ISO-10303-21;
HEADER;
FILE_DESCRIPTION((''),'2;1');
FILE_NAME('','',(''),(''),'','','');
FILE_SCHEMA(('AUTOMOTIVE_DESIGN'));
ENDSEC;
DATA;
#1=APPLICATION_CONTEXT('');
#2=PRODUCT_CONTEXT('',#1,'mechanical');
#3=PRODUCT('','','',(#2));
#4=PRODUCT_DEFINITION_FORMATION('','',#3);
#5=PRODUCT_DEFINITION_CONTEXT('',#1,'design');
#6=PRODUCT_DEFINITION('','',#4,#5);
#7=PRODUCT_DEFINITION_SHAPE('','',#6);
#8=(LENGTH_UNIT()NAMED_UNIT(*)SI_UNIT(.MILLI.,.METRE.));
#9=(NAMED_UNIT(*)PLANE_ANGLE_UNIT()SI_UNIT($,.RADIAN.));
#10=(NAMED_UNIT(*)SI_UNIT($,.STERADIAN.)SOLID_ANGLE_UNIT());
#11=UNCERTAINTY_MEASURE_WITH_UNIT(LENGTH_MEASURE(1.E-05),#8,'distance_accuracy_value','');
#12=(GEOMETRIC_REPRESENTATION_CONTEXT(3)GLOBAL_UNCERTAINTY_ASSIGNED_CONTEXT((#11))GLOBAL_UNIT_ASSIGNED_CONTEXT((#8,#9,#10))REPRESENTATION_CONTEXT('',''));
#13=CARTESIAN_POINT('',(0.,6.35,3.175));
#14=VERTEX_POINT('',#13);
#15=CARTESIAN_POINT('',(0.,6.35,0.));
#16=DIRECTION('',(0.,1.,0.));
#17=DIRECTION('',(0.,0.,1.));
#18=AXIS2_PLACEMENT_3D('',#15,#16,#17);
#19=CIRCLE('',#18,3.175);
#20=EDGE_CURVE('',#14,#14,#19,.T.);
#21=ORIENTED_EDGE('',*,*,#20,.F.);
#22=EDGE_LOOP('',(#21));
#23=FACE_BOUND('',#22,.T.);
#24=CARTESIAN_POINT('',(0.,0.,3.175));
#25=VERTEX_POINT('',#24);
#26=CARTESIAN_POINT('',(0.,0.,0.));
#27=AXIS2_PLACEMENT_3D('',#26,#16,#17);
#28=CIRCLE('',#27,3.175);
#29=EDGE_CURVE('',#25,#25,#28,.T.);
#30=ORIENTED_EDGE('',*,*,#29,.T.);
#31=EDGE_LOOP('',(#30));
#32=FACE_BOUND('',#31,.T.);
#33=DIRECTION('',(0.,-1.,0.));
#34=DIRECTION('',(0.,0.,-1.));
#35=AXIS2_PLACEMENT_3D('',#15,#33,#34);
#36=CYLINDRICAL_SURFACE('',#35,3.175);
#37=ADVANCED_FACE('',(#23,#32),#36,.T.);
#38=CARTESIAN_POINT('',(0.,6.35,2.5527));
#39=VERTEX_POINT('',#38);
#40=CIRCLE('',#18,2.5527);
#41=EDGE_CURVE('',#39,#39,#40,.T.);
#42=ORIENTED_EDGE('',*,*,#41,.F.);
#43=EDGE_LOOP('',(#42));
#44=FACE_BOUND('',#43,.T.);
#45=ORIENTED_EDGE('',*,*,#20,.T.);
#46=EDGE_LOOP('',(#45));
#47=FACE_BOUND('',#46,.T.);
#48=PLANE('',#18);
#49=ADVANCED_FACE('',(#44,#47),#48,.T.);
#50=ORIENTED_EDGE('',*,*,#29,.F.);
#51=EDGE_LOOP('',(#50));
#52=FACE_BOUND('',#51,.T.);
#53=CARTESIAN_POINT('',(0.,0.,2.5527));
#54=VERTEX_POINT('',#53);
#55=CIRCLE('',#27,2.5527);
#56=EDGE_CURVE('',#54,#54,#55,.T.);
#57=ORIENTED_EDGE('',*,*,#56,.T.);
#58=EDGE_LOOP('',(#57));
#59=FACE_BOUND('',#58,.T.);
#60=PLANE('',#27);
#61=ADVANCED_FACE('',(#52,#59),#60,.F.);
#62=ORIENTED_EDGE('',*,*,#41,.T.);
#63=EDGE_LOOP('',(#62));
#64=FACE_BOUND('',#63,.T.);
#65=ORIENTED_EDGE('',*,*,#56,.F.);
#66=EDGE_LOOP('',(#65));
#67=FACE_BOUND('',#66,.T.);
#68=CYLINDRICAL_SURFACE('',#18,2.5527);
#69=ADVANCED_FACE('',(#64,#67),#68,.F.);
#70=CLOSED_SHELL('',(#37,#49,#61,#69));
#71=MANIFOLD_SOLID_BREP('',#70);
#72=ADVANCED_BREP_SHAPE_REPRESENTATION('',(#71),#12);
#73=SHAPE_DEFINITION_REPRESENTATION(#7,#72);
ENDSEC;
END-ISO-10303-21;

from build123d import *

# Parameters (mm, degrees)
SKETCH1_R               = 3.175
BOSS_EXTRUDE1_DEPTH     = 6.35
F_1_4_20_TAPPED_HOLE1_D = 5.1054


with BuildPart() as part:
    # Sketch1 → Boss-Extrude1 (new body)
    with BuildSketch(Plane(origin=(0, 0, 0), x_dir=(1, 0, 0), z_dir=(0, 1, 0))):
        with Locations(Location((0, 0, 0), (0, 0, 270))):
            Circle(SKETCH1_R)
    extrude(amount=BOSS_EXTRUDE1_DEPTH)

    # 1/4-20 Tapped Hole1 (through all)
    with Locations(Plane(origin=(0, 6.35, 0), x_dir=(1, 0, 0), z_dir=(0, 1, 0))):
        with Locations((0, 0)):
            Hole(F_1_4_20_TAPPED_HOLE1_D / 2)


solid = part.part
